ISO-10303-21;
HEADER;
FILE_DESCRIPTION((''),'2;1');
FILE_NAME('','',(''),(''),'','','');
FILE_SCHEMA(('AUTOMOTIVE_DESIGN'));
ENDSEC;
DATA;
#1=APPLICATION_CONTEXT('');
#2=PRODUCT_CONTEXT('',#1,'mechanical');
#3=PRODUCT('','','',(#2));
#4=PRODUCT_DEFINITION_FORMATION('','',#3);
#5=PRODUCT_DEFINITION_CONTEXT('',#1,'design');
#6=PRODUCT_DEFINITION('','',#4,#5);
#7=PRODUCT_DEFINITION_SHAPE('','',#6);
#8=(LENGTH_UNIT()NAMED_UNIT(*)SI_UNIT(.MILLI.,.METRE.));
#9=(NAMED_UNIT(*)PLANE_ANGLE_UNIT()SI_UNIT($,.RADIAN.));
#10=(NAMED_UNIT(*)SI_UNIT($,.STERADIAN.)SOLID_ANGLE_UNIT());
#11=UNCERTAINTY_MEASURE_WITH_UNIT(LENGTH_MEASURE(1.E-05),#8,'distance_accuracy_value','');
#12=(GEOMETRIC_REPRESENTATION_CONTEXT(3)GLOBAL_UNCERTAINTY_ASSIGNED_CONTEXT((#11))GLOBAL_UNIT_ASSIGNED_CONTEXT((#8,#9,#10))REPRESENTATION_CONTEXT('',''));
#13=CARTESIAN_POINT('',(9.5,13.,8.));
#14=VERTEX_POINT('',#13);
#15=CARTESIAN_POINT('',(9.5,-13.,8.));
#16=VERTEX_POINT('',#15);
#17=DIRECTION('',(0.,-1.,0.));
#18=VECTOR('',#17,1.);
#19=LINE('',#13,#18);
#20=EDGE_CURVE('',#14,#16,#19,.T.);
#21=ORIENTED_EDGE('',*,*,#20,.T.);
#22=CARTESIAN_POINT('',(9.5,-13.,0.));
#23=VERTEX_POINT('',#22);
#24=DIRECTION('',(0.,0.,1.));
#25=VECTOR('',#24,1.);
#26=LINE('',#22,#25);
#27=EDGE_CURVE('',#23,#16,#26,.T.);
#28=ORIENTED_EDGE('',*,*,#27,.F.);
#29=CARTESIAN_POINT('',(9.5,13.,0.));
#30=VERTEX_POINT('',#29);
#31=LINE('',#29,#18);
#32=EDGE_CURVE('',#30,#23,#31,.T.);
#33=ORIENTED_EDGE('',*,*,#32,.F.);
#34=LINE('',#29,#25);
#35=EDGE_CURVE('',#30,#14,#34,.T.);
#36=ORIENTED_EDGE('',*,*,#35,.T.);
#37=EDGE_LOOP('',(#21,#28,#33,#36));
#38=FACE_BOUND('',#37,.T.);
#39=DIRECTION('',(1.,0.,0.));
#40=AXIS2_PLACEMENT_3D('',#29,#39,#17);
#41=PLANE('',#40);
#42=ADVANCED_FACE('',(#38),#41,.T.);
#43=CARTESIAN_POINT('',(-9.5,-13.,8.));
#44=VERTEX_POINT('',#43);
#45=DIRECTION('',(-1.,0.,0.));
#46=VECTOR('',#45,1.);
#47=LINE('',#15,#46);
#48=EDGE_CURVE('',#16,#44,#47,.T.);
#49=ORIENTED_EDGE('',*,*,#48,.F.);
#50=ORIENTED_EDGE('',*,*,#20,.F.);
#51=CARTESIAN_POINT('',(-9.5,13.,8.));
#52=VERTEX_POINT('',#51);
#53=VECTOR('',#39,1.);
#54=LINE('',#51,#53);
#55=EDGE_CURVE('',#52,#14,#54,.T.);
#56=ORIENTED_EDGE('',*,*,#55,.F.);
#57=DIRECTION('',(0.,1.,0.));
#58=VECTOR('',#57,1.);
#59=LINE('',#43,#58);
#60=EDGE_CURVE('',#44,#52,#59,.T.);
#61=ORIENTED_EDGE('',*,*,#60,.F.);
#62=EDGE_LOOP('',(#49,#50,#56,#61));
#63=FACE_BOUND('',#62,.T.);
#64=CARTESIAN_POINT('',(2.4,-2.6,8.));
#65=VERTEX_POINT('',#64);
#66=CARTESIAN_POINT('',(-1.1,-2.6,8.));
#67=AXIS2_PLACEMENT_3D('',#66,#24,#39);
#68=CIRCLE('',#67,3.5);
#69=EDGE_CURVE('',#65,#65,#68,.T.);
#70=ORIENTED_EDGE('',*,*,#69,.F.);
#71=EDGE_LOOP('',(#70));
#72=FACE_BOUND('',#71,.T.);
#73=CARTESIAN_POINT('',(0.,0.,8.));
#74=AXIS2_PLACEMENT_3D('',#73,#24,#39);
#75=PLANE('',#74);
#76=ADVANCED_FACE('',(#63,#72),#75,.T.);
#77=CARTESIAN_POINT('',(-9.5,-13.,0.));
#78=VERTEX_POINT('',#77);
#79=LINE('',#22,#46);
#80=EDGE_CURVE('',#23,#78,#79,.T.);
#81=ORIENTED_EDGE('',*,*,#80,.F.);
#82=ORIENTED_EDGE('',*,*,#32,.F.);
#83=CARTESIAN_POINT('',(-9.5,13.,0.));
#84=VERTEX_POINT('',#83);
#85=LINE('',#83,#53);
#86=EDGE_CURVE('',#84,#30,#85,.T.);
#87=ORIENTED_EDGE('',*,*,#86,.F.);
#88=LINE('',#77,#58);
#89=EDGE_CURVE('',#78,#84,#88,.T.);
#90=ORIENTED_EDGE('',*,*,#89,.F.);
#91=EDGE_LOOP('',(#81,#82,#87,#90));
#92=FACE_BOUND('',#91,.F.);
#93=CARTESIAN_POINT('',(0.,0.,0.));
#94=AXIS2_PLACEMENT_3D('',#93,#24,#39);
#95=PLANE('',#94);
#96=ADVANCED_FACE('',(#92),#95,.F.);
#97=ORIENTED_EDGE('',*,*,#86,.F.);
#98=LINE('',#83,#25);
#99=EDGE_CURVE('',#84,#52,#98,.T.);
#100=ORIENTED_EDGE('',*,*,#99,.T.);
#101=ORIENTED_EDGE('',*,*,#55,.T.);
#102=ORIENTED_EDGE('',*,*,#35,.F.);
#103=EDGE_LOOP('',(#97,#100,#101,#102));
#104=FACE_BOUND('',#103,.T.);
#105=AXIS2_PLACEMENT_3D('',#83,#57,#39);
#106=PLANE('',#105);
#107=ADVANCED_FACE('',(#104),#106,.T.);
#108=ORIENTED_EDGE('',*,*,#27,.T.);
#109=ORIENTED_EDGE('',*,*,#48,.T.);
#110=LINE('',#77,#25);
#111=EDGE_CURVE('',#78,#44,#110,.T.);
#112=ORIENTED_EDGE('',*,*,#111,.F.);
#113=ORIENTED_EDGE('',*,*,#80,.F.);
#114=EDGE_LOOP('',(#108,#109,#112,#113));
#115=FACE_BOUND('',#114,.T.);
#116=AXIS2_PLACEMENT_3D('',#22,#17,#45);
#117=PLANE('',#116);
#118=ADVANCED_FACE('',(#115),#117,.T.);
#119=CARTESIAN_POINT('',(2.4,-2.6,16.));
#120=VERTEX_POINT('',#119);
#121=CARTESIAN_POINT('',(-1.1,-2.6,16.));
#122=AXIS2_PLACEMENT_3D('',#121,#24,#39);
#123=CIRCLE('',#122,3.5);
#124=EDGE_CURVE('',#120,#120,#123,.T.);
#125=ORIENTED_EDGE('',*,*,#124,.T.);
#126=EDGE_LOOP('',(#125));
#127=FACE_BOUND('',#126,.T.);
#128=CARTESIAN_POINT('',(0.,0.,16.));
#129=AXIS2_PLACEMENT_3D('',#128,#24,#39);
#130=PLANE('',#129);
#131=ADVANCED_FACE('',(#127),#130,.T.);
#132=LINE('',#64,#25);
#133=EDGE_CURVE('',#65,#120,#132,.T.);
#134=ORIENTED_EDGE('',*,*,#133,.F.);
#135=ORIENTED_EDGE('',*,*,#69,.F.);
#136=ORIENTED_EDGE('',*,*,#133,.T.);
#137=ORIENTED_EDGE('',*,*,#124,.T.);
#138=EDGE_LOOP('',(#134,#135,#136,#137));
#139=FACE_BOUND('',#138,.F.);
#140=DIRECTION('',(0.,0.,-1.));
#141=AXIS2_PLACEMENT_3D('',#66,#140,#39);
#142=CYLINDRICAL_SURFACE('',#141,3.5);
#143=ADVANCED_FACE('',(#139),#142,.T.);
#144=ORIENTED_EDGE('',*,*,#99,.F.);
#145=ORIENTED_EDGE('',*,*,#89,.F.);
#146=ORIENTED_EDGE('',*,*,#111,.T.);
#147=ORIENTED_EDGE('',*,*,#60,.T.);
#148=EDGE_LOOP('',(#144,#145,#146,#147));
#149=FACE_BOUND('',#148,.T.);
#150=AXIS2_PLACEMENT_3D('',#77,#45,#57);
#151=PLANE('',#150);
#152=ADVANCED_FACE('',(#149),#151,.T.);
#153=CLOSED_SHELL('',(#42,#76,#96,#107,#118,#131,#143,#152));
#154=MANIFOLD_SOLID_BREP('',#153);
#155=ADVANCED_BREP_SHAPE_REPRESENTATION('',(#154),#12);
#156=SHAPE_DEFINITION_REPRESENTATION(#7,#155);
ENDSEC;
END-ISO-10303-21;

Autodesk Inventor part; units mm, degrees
ref_plane "YZ Plane" through (0, 0, 0) normal (1, 0, 0) x (0, 1, 0)
ref_plane "XZ Plane" through (0, 0, 0) normal (0, 1, 0) x (-1, 0, 0)
ref_plane "XY Plane" through (0, 0, 0) normal (0, 0, 1) x (1, 0, 0)
sketch "Skizze1" plane through (0, 0, 0) normal (0, 0, 1) x (1, 0, 0)
  line L0 (-9.5, 13) -> (9.5, 13)
  line L1 (9.5, 13) -> (9.5, -13)
  line L2 (9.5, -13) -> (-9.5, -13)
  line L3 (-9.5, -13) -> (-9.5, 13)
  line L4 (-9.5, 13) -> (9.5, -13) construction
  line L5 (9.5, 13) -> (-9.5, -13) construction
  point P0 (0, 0)
  dimension "d0" = 19
  dimension "d1" = 26
extrude "Extrusion1" add sketch "Skizze1" along normal blind 8
sketch "Skizze2" plane through (0, 0, 8) normal (0, 0, 1) x (1, 0, 0)
  circle A0 centre (-1.1, -2.6) radius 3.5
  line L0 (-9.5, -13) -> (9.5, -13) projected
  line L1 (-9.5, 13) -> (-9.5, -13) projected
  point P0 (0, 0)
  dimension "d4" = 7
  dimension "d5" = 10.4
  dimension "d6" = 8.4
extrude "Extrusion2" add sketch "Skizze2" along normal blind 8
properties part number "encoder"
